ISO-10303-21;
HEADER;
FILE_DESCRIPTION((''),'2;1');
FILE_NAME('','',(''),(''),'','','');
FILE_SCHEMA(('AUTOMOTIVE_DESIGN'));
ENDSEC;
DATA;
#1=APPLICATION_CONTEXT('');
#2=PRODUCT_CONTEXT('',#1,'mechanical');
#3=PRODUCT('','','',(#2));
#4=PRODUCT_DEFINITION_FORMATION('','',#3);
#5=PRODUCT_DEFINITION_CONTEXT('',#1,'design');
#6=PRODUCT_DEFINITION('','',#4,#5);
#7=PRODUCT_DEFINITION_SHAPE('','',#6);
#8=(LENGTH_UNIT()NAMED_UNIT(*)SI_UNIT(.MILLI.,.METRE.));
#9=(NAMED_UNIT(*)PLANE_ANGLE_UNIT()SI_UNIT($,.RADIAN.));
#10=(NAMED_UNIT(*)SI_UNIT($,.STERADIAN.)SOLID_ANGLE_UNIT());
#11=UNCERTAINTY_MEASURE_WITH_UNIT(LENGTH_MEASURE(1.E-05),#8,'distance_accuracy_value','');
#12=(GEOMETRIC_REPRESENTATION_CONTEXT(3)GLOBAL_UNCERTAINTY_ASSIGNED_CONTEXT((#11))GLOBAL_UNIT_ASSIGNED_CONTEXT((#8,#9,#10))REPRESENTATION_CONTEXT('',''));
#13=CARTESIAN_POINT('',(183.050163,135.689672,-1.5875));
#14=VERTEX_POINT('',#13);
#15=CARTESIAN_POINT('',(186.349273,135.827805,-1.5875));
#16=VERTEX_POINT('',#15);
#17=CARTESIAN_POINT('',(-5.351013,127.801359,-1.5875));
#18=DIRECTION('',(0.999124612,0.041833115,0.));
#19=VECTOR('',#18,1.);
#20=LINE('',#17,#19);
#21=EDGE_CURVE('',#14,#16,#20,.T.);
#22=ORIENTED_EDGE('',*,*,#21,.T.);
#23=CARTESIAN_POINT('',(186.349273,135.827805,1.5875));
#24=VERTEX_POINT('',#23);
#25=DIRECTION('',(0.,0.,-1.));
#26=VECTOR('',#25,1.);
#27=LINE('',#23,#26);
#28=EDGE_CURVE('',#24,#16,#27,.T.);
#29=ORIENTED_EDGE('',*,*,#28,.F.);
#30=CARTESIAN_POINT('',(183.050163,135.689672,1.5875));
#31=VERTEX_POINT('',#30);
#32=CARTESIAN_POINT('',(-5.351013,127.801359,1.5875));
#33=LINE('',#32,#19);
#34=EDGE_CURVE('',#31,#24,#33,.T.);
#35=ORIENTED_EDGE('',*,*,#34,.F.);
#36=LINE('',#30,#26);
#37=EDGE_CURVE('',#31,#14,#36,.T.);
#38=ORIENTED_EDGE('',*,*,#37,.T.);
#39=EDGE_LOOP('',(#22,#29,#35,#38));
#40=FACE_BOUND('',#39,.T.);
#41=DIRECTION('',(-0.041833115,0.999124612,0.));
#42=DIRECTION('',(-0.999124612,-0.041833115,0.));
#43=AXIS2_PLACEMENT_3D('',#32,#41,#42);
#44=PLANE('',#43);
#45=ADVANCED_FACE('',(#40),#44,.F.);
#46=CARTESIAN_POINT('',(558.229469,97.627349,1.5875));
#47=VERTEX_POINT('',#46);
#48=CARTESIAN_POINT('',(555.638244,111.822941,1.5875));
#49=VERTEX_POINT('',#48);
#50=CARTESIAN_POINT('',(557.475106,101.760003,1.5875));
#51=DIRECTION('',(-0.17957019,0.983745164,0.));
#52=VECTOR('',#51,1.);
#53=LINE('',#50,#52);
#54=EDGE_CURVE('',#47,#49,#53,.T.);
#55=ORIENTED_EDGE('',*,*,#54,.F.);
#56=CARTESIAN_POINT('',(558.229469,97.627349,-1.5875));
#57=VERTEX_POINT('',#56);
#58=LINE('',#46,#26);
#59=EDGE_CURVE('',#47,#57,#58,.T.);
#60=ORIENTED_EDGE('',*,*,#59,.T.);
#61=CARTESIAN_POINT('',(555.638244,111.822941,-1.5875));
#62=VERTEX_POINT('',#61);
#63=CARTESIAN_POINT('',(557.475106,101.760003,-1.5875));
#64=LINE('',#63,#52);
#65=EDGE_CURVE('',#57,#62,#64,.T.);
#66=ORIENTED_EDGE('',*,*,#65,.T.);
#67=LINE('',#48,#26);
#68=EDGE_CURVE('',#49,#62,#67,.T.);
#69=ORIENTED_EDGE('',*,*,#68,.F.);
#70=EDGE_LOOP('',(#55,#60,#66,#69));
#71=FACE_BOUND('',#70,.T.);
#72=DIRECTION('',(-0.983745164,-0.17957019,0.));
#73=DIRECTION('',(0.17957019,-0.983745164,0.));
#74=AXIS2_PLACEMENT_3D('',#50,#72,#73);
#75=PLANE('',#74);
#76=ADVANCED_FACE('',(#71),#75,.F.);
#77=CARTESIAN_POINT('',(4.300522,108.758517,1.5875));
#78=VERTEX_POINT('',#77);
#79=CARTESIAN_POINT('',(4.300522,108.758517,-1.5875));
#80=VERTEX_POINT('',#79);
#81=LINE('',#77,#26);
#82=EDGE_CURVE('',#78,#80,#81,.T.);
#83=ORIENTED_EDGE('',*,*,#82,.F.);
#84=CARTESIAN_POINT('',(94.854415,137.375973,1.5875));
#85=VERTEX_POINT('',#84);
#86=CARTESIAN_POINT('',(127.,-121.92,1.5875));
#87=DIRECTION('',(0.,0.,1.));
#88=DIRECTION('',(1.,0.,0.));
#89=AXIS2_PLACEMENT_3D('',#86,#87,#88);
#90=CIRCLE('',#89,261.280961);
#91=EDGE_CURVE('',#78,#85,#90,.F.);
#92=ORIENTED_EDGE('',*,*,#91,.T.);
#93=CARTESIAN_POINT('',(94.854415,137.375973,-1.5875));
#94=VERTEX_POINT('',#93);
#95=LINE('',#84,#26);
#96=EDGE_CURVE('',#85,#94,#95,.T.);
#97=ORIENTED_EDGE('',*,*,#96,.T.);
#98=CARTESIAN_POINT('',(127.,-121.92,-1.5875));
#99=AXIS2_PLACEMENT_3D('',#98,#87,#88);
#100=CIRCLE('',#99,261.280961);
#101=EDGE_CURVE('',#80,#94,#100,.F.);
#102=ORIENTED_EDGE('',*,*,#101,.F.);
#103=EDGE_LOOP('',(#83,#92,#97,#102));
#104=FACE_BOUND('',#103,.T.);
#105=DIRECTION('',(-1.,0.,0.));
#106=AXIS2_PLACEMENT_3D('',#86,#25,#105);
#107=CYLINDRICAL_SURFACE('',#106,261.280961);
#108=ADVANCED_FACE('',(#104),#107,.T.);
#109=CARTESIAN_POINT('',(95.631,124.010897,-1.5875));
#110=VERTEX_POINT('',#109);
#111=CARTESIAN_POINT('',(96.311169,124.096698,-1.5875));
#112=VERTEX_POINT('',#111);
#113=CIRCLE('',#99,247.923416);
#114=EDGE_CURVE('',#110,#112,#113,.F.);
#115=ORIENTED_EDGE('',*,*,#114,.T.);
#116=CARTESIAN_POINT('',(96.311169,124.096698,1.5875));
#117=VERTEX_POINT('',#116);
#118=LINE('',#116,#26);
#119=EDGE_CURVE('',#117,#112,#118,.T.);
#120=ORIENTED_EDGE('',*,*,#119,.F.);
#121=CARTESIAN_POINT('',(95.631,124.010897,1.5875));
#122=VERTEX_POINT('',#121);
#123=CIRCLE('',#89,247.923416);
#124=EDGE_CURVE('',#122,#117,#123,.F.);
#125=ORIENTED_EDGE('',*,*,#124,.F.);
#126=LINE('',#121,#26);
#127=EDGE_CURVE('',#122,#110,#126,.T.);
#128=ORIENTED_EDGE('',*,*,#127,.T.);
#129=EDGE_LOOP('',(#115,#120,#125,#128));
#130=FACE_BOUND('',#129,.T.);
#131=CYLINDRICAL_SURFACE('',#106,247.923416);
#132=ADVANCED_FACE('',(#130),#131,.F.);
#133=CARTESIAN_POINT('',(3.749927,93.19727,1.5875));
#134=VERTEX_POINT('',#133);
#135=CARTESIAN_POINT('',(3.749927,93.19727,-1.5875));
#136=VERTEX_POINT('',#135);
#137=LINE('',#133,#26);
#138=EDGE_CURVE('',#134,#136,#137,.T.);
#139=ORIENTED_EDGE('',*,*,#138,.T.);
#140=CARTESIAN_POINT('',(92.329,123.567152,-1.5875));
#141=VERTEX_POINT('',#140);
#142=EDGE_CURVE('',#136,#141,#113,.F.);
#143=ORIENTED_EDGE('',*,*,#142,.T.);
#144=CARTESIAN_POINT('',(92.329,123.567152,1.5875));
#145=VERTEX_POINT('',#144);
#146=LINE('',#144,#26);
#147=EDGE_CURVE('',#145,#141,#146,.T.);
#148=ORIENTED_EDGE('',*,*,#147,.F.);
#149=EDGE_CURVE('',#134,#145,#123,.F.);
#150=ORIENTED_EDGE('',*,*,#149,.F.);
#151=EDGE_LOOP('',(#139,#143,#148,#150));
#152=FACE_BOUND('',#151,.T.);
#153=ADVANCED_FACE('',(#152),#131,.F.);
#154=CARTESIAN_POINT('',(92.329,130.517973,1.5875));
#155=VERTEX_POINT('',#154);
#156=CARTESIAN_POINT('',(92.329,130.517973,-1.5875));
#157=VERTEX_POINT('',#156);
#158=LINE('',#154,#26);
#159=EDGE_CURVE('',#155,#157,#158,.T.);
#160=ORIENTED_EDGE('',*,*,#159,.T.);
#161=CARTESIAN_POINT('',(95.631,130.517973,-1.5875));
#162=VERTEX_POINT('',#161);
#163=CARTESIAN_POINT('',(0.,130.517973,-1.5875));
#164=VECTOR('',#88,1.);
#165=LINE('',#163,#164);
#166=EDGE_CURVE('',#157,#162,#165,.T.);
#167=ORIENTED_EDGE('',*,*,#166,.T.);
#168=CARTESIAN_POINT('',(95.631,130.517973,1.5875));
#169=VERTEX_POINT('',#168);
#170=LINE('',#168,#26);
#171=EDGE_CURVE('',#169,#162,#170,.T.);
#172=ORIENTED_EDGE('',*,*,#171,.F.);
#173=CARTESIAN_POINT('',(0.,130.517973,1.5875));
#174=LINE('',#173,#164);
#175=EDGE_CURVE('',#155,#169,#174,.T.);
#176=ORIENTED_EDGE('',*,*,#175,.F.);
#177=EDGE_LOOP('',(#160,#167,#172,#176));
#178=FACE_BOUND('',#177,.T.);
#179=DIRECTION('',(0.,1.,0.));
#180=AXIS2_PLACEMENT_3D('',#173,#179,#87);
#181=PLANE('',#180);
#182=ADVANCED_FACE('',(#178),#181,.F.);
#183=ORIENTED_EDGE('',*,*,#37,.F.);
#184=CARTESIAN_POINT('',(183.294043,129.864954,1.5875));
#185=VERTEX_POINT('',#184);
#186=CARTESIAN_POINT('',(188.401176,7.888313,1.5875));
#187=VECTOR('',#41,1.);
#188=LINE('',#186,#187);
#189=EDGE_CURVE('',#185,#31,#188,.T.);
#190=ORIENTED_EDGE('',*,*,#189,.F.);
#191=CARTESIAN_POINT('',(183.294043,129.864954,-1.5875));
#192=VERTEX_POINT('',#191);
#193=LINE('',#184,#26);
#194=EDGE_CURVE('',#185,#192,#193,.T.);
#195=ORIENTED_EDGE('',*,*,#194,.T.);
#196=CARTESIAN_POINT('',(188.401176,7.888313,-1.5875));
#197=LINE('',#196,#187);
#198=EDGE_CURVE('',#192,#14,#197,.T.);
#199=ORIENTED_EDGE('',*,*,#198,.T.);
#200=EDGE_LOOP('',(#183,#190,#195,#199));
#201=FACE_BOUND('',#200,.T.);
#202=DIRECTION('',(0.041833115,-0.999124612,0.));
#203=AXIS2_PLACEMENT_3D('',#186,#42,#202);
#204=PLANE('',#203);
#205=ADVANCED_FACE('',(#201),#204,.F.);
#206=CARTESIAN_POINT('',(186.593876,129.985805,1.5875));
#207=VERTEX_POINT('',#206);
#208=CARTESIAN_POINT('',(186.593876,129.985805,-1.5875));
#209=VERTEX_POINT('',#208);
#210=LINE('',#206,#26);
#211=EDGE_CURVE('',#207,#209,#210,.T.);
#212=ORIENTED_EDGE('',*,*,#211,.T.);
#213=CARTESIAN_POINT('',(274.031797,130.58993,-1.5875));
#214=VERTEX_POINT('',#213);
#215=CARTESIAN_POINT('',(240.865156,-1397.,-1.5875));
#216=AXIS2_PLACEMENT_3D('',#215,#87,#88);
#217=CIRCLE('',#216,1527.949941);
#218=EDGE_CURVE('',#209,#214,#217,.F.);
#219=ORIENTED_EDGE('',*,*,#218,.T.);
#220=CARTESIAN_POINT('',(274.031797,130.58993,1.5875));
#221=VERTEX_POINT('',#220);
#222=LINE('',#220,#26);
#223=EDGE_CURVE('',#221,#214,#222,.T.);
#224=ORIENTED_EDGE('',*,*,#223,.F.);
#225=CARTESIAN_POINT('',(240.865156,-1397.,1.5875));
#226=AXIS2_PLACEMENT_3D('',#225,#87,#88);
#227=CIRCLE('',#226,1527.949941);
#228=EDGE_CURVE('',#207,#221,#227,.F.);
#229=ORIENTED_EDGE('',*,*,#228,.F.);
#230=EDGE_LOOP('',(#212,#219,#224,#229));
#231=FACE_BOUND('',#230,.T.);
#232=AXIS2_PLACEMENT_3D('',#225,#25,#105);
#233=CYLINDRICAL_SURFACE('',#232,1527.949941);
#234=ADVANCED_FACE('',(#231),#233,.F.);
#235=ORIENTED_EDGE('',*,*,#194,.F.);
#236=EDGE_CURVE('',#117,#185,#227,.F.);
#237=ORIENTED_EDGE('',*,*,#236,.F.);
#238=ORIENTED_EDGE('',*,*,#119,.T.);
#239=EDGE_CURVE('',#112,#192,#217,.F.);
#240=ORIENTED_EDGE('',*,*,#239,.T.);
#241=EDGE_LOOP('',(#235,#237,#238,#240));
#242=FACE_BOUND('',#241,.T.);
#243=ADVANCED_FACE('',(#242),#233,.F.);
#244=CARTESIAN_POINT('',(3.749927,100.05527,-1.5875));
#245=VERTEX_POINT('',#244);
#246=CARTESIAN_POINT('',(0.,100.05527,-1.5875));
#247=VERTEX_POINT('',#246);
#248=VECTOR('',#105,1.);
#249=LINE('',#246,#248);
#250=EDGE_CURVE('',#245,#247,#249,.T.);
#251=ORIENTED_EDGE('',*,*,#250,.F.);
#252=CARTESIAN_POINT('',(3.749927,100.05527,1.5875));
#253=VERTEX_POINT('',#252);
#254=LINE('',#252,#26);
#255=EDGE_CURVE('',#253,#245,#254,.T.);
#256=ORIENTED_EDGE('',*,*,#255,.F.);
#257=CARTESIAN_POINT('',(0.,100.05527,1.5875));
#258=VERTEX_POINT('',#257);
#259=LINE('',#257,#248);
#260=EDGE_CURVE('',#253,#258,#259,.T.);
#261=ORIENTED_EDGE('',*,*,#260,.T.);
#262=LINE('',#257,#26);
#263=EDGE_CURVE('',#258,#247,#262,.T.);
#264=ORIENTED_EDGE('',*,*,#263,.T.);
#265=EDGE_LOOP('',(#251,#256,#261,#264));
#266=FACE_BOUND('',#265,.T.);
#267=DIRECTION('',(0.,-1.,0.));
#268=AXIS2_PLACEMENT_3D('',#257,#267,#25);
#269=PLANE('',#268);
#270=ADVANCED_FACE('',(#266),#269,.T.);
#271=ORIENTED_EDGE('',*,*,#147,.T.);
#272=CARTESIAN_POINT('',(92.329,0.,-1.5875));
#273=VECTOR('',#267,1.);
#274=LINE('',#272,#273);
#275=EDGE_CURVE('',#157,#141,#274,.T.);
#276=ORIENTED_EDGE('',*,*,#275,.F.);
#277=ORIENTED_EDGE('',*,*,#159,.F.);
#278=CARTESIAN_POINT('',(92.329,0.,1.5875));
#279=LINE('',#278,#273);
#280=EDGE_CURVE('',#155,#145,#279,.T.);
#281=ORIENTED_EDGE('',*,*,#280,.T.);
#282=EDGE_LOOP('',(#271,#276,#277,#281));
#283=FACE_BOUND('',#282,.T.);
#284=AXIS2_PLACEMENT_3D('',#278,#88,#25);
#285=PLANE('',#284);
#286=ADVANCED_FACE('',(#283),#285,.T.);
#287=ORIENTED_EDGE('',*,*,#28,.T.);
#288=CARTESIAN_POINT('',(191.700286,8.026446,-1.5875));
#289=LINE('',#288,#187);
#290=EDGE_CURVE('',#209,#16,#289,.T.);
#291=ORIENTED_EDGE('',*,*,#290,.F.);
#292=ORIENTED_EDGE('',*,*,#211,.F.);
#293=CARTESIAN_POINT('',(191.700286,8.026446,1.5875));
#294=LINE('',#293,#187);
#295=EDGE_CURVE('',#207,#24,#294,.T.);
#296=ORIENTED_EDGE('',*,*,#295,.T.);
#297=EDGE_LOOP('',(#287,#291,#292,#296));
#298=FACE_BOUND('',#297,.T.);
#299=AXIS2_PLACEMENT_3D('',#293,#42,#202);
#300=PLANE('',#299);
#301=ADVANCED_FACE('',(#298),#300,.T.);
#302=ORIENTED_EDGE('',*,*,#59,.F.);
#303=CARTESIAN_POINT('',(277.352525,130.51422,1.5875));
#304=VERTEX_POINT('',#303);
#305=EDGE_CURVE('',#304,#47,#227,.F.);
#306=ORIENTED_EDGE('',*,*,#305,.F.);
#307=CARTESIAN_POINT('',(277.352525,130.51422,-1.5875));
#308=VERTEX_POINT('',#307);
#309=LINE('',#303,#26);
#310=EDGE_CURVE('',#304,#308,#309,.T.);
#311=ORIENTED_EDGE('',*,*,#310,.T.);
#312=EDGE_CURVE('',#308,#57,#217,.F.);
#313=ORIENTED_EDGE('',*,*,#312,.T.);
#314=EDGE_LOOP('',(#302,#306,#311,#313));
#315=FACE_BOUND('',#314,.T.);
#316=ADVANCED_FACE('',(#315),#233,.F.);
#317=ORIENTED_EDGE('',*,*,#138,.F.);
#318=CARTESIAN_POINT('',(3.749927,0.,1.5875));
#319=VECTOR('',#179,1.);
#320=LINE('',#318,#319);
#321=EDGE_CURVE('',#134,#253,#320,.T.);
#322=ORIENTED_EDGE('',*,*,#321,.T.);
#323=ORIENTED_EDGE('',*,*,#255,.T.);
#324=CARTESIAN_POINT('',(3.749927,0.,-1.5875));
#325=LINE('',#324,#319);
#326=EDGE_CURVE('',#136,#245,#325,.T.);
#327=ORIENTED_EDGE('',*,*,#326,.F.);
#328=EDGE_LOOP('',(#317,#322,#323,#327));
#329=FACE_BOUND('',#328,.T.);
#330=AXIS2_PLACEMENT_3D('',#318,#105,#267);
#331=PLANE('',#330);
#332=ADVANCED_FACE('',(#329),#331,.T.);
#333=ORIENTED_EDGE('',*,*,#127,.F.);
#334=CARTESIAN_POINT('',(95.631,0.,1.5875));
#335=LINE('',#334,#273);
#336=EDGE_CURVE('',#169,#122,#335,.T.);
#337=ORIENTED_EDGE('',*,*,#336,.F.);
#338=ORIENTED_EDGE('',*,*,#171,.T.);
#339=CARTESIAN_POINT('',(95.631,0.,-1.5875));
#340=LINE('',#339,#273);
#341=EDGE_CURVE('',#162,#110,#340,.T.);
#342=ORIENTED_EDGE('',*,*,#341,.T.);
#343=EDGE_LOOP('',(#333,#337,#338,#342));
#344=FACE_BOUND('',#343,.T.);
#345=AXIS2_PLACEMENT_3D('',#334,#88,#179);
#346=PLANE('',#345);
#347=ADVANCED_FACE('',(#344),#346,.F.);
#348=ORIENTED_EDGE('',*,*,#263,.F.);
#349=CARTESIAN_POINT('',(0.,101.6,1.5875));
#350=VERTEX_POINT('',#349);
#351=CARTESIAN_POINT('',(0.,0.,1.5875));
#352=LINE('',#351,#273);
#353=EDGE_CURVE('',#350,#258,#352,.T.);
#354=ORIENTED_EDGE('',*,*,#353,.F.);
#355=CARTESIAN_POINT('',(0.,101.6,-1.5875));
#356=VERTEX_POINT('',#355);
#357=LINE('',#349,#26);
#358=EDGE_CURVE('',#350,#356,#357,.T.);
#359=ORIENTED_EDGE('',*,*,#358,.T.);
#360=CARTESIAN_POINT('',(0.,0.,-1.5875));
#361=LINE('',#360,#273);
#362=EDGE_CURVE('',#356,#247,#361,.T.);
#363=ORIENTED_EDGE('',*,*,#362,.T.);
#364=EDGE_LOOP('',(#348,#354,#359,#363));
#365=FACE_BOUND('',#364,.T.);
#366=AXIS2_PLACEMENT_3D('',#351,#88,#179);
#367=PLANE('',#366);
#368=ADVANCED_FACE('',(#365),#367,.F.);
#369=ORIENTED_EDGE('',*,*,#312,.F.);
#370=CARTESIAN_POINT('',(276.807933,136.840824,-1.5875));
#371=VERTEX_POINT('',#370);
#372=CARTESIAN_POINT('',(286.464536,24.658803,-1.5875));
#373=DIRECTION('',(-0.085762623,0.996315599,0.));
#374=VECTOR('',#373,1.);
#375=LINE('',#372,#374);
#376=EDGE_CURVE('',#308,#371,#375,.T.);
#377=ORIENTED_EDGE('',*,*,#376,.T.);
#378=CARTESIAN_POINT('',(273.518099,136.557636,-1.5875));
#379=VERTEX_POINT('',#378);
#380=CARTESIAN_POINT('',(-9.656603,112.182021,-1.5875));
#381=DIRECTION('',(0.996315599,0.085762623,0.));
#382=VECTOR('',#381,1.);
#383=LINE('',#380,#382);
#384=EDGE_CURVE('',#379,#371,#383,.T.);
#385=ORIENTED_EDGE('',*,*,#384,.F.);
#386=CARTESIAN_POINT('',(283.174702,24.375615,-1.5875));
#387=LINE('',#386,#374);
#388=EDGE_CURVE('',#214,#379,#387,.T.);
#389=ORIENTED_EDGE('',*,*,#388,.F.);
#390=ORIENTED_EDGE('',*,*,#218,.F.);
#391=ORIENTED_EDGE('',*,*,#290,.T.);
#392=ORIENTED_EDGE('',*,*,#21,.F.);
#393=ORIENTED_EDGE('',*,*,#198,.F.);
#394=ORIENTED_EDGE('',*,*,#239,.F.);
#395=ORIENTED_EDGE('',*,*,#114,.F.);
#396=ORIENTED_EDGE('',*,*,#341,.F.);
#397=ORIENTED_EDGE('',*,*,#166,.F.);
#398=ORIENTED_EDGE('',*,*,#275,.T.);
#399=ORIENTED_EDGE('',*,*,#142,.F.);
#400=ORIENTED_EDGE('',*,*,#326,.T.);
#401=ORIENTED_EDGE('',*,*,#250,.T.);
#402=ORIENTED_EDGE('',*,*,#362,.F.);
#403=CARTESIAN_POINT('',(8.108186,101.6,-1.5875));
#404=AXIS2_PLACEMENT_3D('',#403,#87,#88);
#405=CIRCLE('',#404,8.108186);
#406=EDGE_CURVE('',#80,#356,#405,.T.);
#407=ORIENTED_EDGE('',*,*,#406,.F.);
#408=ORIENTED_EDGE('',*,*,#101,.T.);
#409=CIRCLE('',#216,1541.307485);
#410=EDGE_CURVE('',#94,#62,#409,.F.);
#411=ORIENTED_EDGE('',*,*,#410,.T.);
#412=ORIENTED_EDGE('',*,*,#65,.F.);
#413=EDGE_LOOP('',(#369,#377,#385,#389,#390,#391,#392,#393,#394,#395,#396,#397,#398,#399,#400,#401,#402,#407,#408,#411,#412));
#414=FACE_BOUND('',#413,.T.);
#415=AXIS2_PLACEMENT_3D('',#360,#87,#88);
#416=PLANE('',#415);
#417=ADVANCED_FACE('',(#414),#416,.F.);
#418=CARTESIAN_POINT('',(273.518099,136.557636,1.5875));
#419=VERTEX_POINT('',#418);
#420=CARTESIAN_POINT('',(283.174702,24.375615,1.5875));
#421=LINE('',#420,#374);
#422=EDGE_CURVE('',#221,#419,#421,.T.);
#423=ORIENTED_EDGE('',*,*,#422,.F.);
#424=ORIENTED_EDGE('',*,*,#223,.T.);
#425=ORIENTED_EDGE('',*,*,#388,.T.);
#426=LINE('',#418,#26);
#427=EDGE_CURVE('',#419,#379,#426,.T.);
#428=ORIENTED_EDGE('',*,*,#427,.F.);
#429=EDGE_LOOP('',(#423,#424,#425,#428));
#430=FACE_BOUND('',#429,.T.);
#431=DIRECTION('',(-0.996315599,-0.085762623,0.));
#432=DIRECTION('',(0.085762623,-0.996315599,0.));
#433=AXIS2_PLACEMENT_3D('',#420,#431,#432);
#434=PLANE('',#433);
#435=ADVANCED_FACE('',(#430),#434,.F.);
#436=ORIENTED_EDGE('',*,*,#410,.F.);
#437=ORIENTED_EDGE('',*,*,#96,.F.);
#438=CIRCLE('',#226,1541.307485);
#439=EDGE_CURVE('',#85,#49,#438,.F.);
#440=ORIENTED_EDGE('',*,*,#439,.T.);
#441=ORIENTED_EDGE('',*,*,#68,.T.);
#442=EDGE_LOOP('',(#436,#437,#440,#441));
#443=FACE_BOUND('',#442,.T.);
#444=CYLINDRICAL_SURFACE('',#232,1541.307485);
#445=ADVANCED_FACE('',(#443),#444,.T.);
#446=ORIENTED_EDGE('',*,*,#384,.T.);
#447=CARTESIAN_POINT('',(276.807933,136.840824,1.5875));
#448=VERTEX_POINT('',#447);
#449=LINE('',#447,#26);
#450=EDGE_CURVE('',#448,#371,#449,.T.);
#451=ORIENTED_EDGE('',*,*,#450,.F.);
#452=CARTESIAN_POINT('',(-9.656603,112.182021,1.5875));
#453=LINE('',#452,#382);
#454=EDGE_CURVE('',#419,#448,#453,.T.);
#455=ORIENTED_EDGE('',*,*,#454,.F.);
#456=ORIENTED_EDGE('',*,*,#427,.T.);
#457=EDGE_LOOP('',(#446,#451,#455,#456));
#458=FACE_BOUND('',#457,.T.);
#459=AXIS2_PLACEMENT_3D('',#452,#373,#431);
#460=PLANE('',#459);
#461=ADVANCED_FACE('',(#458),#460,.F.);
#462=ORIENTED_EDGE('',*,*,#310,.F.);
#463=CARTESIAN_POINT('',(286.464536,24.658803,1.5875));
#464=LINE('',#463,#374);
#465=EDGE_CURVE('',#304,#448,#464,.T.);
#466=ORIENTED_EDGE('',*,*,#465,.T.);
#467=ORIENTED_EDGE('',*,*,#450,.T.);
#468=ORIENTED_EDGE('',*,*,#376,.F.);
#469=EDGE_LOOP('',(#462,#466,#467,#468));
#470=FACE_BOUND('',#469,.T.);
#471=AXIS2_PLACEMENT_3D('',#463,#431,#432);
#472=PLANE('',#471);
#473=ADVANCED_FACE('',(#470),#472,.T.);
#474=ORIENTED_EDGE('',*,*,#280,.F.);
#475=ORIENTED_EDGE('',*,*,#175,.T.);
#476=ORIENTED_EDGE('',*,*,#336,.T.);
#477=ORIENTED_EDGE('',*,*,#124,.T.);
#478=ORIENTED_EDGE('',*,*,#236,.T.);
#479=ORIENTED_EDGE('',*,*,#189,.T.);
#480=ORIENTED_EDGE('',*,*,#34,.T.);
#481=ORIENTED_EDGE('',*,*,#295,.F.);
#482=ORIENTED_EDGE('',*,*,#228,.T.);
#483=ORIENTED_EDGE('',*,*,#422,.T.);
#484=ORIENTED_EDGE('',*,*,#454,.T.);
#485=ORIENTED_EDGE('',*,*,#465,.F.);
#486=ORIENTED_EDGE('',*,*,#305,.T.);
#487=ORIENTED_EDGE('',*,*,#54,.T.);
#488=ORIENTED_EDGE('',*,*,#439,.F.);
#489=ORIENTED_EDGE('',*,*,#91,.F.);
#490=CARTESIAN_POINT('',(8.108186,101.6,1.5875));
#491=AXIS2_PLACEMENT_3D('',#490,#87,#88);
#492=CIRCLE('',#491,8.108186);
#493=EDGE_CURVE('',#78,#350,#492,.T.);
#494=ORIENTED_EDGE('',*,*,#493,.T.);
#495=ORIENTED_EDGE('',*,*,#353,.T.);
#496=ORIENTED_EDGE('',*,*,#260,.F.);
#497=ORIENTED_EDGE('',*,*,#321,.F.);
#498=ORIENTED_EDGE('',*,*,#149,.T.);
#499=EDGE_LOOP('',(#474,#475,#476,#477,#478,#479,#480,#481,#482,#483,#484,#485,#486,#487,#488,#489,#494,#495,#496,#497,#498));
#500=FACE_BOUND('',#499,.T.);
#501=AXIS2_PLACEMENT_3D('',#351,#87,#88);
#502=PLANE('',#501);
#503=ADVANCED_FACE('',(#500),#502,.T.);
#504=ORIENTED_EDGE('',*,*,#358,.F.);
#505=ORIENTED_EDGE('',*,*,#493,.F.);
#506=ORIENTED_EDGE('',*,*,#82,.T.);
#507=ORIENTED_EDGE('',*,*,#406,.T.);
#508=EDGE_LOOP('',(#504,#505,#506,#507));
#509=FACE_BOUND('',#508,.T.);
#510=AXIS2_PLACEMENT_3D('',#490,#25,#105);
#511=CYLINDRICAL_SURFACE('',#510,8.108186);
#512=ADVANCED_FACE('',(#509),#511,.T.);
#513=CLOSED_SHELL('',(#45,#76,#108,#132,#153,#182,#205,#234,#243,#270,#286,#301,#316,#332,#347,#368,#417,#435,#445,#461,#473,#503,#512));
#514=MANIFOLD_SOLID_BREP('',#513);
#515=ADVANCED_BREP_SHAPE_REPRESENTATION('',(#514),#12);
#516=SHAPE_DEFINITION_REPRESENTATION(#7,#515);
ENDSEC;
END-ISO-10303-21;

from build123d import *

# Parameters (mm, degrees)
BOSS_EXTRUDE1_DEPTH = 1.5875


with BuildPart() as part:
    # Sketch1 → Boss-Extrude1 (new, symmetric)
    with BuildSketch(Plane.XY):
        with BuildLine():
            Line((277.352525484, 130.514220253), (276.807932827, 136.840824305))
            Line((276.807932827, 136.840824305), (273.51809872, 136.557636124))
            Line((273.51809872, 136.557636124), (274.031797499, 130.589930281))
            ThreePointArc((274.031797499, 130.589930281), (230.30851429, 130.913472194), (186.59387592, 129.985805221))
            Line((186.59387592, 129.985805221), (186.349272737, 135.827805221))
            Line((186.349272737, 135.827805221), (183.050163268, 135.689672274))
            Line((183.050163268, 135.689672274), (183.294042864, 129.86495412))
            ThreePointArc((183.294042864, 129.86495412), (139.761460521, 127.601280315), (96.311168805, 124.096698424))
            ThreePointArc((96.311168805, 124.096698424), (95.971054745, 124.054032816), (95.631, 124.010897007))
            Line((95.631, 124.010897007), (95.631, 130.517973266))
            Line((95.631, 130.517973266), (92.329, 130.517973266))
            Line((92.329, 130.517973266), (92.329, 123.567152459))
            ThreePointArc((92.329, 123.567152459), (46.592607477, 112.602219611), (3.749926944, 93.197269774))
            Line((3.749926944, 93.197269774), (3.749926944, 100.055269774))
            Line((3.749926944, 100.055269774), (0, 100.055269774))
            Line((0, 100.055269774), (0, 101.6))
            ThreePointArc((0, 101.6), (1.157792804, 105.775489723), (4.300521626, 108.758517405))
            ThreePointArc((4.300521626, 108.758517405), (48.266347056, 127.216011607), (94.854415026, 137.375973266))
            ThreePointArc((94.854415026, 137.375973266), (326.208122032, 141.94293007), (555.638244479, 111.822940798))
            Line((555.638244479, 111.822940798), (558.229469453, 97.627349478))
            ThreePointArc((558.229469453, 97.627349478), (418.553478483, 120.58290755), (277.352525484, 130.514220253))
        make_face()
    extrude(amount=BOSS_EXTRUDE1_DEPTH, both=True)


solid = part.part
